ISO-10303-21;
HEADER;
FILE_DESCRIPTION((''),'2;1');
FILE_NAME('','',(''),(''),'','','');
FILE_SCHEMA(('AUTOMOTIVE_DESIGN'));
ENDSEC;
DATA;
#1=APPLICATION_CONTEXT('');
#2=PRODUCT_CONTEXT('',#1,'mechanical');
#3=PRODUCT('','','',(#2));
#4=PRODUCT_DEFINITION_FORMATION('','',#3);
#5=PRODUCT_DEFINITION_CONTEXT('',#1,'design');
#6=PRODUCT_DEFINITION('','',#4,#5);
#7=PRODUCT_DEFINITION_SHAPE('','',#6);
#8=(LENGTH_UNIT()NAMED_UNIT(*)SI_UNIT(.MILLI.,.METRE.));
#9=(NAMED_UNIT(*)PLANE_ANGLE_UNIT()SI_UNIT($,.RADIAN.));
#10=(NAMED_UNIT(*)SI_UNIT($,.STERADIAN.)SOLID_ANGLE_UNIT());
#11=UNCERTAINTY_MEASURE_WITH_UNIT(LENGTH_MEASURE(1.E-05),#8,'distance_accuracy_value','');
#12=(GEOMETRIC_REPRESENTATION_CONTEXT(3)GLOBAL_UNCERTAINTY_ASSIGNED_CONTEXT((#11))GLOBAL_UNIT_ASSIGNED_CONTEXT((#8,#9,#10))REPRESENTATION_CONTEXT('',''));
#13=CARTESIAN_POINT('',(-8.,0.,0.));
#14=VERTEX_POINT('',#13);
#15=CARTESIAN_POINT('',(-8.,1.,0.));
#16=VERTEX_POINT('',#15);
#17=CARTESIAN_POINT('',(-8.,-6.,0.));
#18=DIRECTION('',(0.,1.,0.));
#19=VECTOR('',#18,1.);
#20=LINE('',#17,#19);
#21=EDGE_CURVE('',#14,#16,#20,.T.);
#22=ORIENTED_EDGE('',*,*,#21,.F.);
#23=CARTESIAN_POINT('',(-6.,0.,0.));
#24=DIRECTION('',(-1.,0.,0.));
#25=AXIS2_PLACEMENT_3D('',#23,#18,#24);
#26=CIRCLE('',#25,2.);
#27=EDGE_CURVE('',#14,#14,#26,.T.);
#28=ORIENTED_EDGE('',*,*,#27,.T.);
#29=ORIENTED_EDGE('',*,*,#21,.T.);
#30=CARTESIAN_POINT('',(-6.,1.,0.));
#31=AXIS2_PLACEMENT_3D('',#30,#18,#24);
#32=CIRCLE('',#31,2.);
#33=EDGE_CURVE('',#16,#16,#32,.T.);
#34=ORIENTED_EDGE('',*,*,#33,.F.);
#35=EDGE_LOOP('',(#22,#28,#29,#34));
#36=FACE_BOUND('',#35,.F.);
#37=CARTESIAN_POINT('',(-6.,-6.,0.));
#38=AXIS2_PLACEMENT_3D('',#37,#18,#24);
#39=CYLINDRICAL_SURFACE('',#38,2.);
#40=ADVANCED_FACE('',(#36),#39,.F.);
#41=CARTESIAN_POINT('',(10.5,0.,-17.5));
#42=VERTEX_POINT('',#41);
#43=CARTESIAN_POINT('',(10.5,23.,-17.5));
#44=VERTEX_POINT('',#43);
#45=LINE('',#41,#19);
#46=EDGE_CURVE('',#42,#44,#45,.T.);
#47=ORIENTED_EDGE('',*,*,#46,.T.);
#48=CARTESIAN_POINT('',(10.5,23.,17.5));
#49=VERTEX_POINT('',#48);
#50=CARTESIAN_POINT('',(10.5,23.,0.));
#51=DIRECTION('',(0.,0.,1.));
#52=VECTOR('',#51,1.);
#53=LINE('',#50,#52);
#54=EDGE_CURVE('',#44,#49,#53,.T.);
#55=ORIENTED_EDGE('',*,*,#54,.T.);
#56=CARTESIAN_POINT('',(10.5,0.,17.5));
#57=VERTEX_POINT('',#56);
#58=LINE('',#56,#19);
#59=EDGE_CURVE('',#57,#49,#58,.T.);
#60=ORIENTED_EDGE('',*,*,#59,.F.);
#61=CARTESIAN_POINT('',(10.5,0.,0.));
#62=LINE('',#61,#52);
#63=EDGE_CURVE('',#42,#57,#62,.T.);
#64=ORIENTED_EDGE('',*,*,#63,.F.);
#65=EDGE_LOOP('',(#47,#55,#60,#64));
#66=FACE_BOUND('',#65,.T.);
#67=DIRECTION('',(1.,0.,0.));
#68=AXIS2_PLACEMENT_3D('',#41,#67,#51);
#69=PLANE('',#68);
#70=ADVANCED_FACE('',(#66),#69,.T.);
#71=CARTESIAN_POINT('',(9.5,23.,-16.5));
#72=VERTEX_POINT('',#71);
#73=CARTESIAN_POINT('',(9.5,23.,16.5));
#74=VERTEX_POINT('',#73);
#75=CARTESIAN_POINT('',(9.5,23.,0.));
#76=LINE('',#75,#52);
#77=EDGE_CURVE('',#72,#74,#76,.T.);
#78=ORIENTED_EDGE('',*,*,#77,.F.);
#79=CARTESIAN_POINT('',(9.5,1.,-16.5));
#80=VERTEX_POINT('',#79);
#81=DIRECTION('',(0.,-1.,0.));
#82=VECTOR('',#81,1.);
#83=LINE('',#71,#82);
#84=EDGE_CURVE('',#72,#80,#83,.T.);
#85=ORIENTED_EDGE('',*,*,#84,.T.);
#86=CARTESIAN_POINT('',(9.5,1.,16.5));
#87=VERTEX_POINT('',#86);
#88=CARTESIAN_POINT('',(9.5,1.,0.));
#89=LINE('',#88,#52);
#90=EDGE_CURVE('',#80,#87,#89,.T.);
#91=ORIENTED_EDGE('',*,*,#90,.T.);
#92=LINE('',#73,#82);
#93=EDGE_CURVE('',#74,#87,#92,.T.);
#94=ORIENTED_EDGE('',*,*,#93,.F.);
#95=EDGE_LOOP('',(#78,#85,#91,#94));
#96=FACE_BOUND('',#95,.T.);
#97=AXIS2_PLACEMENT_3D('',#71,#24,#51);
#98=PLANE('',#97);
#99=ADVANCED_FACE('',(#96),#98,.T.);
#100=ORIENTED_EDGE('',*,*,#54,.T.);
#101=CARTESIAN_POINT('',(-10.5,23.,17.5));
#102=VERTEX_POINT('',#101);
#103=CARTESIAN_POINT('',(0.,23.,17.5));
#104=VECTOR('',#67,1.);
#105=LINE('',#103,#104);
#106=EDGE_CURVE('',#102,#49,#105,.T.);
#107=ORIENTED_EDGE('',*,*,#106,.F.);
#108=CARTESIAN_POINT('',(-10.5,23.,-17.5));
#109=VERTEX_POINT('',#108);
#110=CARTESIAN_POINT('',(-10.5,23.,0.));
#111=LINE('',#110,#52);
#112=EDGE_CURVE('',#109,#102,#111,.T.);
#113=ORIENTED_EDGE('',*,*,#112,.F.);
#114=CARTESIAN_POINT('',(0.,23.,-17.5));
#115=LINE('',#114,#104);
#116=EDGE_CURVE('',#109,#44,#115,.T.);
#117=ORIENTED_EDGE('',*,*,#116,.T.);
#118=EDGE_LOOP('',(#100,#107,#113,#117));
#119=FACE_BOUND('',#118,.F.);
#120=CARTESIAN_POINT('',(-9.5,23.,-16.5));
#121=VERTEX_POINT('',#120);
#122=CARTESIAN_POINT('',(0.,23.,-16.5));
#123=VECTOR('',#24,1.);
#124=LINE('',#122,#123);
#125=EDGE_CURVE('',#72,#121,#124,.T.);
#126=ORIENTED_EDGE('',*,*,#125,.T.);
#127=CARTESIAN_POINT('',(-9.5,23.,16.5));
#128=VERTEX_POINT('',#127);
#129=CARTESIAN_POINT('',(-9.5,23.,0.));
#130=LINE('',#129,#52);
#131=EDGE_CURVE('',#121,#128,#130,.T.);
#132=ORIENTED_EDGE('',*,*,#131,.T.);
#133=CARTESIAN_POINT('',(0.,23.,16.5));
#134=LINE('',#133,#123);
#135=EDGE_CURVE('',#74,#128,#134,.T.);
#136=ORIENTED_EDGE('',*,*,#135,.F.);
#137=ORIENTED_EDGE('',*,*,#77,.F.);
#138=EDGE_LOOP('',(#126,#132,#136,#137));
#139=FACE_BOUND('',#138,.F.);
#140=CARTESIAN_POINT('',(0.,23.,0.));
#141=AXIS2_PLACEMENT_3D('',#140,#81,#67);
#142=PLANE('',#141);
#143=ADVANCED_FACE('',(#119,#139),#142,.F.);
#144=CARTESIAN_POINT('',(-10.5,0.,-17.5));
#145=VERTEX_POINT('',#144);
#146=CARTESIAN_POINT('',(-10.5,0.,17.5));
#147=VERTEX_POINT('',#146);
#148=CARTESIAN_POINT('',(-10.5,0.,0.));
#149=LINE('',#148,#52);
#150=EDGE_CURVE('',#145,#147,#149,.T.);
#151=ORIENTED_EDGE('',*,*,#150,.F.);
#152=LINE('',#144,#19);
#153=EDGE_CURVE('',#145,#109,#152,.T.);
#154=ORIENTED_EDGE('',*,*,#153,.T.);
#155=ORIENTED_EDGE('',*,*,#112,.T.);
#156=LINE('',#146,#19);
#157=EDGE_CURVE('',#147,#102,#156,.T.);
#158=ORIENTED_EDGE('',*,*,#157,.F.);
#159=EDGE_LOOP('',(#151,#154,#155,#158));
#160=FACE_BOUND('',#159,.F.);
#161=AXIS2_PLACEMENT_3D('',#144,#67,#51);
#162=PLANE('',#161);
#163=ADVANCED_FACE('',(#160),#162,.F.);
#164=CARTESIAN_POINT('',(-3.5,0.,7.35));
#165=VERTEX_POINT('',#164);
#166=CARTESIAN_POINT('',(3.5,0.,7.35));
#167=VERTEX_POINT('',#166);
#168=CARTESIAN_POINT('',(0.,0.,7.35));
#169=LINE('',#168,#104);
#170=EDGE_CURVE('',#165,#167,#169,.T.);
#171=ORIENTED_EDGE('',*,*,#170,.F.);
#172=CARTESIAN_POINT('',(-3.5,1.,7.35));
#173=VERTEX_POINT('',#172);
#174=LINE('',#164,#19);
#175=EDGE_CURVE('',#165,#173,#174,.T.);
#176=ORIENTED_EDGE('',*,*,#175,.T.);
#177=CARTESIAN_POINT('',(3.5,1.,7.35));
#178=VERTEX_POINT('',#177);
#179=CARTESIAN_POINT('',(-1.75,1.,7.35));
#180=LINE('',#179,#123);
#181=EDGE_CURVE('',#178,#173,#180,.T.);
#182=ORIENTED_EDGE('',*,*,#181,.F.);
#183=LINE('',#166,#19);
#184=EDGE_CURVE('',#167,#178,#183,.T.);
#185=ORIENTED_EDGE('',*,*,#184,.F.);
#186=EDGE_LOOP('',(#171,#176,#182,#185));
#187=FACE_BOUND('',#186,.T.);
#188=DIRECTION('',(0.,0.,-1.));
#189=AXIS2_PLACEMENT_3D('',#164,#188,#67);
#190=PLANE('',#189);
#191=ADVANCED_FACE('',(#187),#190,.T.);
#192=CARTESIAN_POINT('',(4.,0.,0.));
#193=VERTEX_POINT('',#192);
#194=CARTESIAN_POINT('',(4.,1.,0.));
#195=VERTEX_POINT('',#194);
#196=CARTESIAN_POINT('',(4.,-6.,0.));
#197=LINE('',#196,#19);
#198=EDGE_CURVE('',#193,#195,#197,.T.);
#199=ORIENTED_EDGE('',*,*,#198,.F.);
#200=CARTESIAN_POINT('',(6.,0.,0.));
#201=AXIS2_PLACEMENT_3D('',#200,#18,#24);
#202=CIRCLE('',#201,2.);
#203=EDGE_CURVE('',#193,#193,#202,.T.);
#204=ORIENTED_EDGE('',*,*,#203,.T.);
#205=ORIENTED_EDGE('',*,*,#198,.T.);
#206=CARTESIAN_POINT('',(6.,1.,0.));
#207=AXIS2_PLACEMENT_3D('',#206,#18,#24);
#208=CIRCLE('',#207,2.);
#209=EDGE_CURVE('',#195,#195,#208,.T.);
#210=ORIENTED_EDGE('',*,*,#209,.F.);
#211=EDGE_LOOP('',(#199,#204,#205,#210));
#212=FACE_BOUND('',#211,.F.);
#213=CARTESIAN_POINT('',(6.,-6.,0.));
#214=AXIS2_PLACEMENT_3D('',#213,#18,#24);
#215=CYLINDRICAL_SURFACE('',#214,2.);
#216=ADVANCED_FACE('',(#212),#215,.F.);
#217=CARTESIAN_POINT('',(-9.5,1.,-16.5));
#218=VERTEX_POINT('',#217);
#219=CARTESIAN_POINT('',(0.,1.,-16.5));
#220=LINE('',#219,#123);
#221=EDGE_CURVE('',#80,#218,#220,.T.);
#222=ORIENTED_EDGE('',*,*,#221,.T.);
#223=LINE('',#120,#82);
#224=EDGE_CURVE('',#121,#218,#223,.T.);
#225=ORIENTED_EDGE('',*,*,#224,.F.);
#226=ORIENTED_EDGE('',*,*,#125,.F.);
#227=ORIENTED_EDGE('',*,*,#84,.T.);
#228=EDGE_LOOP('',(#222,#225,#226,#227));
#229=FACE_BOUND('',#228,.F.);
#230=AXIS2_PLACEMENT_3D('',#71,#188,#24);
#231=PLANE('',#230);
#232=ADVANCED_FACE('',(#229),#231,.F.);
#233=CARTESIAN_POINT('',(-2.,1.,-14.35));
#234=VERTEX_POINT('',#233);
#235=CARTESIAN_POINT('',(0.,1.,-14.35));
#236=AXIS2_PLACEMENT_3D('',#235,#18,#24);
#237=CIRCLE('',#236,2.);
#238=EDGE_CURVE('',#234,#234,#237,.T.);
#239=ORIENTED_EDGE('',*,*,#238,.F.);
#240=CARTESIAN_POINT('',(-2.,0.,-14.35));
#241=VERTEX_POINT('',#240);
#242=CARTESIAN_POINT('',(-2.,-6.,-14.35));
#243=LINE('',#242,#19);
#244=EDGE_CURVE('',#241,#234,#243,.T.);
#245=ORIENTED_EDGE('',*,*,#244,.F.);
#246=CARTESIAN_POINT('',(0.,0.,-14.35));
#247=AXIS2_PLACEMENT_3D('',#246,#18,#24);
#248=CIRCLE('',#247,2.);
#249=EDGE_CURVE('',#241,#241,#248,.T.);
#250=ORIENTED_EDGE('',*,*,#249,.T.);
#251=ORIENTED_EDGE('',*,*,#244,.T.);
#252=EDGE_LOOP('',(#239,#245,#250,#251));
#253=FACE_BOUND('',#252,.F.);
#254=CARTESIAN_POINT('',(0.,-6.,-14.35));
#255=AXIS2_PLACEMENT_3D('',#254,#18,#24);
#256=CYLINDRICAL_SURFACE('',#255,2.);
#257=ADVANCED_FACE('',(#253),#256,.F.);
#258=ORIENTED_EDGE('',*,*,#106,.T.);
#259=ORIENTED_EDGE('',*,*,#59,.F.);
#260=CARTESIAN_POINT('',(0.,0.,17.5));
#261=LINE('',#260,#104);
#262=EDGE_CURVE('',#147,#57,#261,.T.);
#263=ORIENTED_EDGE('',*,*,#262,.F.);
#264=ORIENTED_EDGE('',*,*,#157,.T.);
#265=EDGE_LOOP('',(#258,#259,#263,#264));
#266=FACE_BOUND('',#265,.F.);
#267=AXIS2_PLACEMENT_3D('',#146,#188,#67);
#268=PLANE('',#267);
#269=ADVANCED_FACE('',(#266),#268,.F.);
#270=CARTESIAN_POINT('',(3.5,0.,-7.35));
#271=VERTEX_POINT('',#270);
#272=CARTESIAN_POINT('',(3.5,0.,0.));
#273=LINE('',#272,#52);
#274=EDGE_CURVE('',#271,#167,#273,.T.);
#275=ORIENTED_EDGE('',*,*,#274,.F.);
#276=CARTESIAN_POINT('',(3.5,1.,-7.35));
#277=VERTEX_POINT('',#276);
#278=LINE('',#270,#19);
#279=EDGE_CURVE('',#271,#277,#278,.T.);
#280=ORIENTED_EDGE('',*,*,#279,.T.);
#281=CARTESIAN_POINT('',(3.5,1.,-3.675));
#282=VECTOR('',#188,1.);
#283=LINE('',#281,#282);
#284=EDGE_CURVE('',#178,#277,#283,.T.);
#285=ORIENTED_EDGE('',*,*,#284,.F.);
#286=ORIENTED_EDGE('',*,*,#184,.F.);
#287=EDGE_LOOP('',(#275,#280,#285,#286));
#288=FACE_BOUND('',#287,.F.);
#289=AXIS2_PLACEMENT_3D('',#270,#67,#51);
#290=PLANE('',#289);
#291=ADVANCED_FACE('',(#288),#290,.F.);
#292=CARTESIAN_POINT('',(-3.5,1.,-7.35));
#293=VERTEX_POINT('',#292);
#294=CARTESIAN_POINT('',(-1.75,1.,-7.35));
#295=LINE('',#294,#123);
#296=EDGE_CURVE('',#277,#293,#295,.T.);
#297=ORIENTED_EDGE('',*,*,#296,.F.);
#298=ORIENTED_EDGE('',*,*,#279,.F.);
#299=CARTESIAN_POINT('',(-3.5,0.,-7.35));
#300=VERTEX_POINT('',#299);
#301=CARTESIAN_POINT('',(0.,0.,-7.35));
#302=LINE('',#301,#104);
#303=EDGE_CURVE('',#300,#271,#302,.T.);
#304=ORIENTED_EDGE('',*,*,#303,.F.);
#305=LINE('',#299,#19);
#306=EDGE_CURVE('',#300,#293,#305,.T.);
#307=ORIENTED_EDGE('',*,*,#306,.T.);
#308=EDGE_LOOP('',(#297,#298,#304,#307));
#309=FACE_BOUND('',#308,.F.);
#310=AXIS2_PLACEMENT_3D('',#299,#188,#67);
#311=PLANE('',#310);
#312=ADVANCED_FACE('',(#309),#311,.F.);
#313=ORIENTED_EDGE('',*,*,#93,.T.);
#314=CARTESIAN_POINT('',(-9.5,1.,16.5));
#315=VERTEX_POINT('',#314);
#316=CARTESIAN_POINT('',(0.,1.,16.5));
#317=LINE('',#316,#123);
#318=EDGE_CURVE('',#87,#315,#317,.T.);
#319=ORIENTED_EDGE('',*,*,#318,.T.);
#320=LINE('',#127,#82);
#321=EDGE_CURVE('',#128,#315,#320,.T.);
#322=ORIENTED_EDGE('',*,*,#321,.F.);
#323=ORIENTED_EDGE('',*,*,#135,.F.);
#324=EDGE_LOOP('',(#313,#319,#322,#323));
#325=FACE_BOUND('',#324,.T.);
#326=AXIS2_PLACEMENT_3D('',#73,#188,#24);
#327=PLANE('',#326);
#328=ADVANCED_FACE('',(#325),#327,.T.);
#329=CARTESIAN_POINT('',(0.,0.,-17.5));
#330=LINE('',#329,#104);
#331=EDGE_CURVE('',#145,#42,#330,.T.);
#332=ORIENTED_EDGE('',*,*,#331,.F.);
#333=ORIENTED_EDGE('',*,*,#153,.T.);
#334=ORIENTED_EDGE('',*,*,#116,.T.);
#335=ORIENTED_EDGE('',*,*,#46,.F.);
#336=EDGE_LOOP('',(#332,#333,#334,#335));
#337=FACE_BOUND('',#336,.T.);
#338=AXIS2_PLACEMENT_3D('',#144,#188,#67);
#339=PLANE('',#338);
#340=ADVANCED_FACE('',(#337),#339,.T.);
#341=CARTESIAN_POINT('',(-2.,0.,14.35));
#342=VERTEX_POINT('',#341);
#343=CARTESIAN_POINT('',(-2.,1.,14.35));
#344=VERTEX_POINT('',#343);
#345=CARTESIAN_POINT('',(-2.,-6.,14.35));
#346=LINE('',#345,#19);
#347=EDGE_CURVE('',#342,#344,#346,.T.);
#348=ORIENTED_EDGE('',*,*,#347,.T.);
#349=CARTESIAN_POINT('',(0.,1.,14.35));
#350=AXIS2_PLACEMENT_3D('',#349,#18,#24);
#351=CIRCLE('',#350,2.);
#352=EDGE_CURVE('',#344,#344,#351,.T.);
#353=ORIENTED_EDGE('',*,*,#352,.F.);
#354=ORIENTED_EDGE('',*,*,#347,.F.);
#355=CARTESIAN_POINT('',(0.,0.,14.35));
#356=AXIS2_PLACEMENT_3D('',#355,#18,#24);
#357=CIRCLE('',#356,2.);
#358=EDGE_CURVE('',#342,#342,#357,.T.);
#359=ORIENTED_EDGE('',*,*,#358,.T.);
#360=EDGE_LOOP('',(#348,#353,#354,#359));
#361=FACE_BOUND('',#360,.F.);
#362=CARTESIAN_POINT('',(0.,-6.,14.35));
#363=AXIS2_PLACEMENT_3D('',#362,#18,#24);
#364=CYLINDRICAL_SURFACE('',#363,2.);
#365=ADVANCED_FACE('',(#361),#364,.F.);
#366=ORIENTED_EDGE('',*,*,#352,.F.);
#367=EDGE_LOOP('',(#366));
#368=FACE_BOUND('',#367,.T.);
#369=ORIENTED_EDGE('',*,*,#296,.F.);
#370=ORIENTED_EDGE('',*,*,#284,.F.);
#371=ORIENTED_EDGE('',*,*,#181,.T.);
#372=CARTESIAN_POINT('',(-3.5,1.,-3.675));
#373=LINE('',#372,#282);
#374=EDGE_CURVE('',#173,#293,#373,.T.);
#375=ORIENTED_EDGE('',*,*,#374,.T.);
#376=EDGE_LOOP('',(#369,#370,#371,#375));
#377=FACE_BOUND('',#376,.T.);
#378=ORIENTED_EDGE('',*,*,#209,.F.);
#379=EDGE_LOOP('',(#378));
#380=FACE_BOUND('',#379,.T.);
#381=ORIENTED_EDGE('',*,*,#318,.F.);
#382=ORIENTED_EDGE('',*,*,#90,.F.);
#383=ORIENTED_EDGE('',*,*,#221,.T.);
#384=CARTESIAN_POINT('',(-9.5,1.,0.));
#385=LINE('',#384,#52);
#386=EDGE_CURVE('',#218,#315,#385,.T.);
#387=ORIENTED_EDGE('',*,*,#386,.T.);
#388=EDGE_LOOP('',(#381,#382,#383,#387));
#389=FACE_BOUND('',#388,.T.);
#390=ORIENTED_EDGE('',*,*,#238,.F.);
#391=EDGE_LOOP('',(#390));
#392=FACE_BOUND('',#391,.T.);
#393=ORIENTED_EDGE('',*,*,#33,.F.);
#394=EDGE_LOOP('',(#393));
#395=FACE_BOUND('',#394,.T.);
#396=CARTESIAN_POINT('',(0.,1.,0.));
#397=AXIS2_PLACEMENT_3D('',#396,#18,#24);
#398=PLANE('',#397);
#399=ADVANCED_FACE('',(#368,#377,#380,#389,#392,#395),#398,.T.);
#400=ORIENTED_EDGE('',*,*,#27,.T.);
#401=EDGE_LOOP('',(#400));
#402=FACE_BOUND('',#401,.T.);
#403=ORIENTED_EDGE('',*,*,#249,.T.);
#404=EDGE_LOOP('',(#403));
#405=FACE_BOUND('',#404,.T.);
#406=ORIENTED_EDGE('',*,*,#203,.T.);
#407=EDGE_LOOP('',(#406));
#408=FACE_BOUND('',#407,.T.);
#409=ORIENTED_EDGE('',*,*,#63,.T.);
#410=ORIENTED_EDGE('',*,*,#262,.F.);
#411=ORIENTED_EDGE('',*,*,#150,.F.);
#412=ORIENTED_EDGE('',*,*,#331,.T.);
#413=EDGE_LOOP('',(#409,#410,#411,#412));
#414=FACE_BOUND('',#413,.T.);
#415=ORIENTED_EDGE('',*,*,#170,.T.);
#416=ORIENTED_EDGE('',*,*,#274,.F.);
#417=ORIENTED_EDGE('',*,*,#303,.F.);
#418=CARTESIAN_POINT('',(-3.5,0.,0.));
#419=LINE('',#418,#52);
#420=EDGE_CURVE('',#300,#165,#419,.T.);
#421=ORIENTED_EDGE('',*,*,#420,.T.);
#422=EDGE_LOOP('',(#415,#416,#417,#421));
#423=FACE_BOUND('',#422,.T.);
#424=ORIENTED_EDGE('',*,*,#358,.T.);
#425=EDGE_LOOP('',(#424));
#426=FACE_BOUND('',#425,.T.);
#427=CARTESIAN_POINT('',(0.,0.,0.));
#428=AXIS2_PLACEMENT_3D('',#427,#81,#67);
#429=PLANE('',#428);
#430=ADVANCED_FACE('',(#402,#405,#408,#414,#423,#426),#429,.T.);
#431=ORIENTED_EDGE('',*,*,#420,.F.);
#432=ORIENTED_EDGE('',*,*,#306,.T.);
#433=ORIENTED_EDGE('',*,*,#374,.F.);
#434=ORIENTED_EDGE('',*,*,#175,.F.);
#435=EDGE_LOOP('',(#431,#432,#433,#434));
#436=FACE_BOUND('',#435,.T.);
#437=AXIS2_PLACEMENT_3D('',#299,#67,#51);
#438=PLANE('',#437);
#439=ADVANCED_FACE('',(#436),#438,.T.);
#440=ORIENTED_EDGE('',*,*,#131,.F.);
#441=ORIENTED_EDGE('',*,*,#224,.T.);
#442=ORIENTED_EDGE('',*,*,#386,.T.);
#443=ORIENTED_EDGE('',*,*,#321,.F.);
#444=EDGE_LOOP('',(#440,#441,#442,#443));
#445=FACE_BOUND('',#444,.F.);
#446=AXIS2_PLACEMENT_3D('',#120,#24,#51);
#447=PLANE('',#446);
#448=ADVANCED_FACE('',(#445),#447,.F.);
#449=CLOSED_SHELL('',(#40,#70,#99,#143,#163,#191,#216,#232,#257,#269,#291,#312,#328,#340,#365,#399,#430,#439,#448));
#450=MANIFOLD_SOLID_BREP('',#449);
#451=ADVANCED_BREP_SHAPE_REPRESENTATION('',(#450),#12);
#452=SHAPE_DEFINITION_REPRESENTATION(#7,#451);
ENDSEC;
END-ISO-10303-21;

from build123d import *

# Parameters (mm, degrees)
F1_W     = 21
F1_H     = 35
F2_DEPTH = 23
F3_W     = 19
F3_H     = 33
F4_DEPTH = 22
F5_W     = 7
F5_H     = 14.7
F6_DEPTH = 25
F8_D     = 4
F8_DEPTH = 6
F8_TIP   = 1.2017212381


with BuildPart() as f2:
    # F1 (on Front) → F2 (new body)
    with BuildSketch(Plane.XZ):
        Rectangle(F1_W, F1_H)
    extrude(amount=-F2_DEPTH)

    # F3 (on face) → F4 (cut)
    with BuildSketch(Plane(origin=(0, 23, 0), x_dir=(-1, 0, 0), z_dir=(0, 1, 0))):
        Rectangle(F3_W, F3_H)
    extrude(amount=-F4_DEPTH, mode=Mode.SUBTRACT)

    # F5 (on Front) → F6 (cut)
    with BuildSketch(Plane.XZ):
        Rectangle(F5_W, F5_H)
    extrude(amount=-F6_DEPTH, mode=Mode.SUBTRACT)

    # F8
    with Locations(Plane.XZ):
        with Locations((0, 14.35), (-6, 0), (6, 0), (0, -14.35)):
            Hole(F8_D / 2, depth=F8_DEPTH)
            with Locations((0, 0, -(F8_DEPTH + F8_TIP / 2))):  # 118° drill point
                Cone(0, F8_D / 2, F8_TIP, mode=Mode.SUBTRACT)


solid = f2.part
